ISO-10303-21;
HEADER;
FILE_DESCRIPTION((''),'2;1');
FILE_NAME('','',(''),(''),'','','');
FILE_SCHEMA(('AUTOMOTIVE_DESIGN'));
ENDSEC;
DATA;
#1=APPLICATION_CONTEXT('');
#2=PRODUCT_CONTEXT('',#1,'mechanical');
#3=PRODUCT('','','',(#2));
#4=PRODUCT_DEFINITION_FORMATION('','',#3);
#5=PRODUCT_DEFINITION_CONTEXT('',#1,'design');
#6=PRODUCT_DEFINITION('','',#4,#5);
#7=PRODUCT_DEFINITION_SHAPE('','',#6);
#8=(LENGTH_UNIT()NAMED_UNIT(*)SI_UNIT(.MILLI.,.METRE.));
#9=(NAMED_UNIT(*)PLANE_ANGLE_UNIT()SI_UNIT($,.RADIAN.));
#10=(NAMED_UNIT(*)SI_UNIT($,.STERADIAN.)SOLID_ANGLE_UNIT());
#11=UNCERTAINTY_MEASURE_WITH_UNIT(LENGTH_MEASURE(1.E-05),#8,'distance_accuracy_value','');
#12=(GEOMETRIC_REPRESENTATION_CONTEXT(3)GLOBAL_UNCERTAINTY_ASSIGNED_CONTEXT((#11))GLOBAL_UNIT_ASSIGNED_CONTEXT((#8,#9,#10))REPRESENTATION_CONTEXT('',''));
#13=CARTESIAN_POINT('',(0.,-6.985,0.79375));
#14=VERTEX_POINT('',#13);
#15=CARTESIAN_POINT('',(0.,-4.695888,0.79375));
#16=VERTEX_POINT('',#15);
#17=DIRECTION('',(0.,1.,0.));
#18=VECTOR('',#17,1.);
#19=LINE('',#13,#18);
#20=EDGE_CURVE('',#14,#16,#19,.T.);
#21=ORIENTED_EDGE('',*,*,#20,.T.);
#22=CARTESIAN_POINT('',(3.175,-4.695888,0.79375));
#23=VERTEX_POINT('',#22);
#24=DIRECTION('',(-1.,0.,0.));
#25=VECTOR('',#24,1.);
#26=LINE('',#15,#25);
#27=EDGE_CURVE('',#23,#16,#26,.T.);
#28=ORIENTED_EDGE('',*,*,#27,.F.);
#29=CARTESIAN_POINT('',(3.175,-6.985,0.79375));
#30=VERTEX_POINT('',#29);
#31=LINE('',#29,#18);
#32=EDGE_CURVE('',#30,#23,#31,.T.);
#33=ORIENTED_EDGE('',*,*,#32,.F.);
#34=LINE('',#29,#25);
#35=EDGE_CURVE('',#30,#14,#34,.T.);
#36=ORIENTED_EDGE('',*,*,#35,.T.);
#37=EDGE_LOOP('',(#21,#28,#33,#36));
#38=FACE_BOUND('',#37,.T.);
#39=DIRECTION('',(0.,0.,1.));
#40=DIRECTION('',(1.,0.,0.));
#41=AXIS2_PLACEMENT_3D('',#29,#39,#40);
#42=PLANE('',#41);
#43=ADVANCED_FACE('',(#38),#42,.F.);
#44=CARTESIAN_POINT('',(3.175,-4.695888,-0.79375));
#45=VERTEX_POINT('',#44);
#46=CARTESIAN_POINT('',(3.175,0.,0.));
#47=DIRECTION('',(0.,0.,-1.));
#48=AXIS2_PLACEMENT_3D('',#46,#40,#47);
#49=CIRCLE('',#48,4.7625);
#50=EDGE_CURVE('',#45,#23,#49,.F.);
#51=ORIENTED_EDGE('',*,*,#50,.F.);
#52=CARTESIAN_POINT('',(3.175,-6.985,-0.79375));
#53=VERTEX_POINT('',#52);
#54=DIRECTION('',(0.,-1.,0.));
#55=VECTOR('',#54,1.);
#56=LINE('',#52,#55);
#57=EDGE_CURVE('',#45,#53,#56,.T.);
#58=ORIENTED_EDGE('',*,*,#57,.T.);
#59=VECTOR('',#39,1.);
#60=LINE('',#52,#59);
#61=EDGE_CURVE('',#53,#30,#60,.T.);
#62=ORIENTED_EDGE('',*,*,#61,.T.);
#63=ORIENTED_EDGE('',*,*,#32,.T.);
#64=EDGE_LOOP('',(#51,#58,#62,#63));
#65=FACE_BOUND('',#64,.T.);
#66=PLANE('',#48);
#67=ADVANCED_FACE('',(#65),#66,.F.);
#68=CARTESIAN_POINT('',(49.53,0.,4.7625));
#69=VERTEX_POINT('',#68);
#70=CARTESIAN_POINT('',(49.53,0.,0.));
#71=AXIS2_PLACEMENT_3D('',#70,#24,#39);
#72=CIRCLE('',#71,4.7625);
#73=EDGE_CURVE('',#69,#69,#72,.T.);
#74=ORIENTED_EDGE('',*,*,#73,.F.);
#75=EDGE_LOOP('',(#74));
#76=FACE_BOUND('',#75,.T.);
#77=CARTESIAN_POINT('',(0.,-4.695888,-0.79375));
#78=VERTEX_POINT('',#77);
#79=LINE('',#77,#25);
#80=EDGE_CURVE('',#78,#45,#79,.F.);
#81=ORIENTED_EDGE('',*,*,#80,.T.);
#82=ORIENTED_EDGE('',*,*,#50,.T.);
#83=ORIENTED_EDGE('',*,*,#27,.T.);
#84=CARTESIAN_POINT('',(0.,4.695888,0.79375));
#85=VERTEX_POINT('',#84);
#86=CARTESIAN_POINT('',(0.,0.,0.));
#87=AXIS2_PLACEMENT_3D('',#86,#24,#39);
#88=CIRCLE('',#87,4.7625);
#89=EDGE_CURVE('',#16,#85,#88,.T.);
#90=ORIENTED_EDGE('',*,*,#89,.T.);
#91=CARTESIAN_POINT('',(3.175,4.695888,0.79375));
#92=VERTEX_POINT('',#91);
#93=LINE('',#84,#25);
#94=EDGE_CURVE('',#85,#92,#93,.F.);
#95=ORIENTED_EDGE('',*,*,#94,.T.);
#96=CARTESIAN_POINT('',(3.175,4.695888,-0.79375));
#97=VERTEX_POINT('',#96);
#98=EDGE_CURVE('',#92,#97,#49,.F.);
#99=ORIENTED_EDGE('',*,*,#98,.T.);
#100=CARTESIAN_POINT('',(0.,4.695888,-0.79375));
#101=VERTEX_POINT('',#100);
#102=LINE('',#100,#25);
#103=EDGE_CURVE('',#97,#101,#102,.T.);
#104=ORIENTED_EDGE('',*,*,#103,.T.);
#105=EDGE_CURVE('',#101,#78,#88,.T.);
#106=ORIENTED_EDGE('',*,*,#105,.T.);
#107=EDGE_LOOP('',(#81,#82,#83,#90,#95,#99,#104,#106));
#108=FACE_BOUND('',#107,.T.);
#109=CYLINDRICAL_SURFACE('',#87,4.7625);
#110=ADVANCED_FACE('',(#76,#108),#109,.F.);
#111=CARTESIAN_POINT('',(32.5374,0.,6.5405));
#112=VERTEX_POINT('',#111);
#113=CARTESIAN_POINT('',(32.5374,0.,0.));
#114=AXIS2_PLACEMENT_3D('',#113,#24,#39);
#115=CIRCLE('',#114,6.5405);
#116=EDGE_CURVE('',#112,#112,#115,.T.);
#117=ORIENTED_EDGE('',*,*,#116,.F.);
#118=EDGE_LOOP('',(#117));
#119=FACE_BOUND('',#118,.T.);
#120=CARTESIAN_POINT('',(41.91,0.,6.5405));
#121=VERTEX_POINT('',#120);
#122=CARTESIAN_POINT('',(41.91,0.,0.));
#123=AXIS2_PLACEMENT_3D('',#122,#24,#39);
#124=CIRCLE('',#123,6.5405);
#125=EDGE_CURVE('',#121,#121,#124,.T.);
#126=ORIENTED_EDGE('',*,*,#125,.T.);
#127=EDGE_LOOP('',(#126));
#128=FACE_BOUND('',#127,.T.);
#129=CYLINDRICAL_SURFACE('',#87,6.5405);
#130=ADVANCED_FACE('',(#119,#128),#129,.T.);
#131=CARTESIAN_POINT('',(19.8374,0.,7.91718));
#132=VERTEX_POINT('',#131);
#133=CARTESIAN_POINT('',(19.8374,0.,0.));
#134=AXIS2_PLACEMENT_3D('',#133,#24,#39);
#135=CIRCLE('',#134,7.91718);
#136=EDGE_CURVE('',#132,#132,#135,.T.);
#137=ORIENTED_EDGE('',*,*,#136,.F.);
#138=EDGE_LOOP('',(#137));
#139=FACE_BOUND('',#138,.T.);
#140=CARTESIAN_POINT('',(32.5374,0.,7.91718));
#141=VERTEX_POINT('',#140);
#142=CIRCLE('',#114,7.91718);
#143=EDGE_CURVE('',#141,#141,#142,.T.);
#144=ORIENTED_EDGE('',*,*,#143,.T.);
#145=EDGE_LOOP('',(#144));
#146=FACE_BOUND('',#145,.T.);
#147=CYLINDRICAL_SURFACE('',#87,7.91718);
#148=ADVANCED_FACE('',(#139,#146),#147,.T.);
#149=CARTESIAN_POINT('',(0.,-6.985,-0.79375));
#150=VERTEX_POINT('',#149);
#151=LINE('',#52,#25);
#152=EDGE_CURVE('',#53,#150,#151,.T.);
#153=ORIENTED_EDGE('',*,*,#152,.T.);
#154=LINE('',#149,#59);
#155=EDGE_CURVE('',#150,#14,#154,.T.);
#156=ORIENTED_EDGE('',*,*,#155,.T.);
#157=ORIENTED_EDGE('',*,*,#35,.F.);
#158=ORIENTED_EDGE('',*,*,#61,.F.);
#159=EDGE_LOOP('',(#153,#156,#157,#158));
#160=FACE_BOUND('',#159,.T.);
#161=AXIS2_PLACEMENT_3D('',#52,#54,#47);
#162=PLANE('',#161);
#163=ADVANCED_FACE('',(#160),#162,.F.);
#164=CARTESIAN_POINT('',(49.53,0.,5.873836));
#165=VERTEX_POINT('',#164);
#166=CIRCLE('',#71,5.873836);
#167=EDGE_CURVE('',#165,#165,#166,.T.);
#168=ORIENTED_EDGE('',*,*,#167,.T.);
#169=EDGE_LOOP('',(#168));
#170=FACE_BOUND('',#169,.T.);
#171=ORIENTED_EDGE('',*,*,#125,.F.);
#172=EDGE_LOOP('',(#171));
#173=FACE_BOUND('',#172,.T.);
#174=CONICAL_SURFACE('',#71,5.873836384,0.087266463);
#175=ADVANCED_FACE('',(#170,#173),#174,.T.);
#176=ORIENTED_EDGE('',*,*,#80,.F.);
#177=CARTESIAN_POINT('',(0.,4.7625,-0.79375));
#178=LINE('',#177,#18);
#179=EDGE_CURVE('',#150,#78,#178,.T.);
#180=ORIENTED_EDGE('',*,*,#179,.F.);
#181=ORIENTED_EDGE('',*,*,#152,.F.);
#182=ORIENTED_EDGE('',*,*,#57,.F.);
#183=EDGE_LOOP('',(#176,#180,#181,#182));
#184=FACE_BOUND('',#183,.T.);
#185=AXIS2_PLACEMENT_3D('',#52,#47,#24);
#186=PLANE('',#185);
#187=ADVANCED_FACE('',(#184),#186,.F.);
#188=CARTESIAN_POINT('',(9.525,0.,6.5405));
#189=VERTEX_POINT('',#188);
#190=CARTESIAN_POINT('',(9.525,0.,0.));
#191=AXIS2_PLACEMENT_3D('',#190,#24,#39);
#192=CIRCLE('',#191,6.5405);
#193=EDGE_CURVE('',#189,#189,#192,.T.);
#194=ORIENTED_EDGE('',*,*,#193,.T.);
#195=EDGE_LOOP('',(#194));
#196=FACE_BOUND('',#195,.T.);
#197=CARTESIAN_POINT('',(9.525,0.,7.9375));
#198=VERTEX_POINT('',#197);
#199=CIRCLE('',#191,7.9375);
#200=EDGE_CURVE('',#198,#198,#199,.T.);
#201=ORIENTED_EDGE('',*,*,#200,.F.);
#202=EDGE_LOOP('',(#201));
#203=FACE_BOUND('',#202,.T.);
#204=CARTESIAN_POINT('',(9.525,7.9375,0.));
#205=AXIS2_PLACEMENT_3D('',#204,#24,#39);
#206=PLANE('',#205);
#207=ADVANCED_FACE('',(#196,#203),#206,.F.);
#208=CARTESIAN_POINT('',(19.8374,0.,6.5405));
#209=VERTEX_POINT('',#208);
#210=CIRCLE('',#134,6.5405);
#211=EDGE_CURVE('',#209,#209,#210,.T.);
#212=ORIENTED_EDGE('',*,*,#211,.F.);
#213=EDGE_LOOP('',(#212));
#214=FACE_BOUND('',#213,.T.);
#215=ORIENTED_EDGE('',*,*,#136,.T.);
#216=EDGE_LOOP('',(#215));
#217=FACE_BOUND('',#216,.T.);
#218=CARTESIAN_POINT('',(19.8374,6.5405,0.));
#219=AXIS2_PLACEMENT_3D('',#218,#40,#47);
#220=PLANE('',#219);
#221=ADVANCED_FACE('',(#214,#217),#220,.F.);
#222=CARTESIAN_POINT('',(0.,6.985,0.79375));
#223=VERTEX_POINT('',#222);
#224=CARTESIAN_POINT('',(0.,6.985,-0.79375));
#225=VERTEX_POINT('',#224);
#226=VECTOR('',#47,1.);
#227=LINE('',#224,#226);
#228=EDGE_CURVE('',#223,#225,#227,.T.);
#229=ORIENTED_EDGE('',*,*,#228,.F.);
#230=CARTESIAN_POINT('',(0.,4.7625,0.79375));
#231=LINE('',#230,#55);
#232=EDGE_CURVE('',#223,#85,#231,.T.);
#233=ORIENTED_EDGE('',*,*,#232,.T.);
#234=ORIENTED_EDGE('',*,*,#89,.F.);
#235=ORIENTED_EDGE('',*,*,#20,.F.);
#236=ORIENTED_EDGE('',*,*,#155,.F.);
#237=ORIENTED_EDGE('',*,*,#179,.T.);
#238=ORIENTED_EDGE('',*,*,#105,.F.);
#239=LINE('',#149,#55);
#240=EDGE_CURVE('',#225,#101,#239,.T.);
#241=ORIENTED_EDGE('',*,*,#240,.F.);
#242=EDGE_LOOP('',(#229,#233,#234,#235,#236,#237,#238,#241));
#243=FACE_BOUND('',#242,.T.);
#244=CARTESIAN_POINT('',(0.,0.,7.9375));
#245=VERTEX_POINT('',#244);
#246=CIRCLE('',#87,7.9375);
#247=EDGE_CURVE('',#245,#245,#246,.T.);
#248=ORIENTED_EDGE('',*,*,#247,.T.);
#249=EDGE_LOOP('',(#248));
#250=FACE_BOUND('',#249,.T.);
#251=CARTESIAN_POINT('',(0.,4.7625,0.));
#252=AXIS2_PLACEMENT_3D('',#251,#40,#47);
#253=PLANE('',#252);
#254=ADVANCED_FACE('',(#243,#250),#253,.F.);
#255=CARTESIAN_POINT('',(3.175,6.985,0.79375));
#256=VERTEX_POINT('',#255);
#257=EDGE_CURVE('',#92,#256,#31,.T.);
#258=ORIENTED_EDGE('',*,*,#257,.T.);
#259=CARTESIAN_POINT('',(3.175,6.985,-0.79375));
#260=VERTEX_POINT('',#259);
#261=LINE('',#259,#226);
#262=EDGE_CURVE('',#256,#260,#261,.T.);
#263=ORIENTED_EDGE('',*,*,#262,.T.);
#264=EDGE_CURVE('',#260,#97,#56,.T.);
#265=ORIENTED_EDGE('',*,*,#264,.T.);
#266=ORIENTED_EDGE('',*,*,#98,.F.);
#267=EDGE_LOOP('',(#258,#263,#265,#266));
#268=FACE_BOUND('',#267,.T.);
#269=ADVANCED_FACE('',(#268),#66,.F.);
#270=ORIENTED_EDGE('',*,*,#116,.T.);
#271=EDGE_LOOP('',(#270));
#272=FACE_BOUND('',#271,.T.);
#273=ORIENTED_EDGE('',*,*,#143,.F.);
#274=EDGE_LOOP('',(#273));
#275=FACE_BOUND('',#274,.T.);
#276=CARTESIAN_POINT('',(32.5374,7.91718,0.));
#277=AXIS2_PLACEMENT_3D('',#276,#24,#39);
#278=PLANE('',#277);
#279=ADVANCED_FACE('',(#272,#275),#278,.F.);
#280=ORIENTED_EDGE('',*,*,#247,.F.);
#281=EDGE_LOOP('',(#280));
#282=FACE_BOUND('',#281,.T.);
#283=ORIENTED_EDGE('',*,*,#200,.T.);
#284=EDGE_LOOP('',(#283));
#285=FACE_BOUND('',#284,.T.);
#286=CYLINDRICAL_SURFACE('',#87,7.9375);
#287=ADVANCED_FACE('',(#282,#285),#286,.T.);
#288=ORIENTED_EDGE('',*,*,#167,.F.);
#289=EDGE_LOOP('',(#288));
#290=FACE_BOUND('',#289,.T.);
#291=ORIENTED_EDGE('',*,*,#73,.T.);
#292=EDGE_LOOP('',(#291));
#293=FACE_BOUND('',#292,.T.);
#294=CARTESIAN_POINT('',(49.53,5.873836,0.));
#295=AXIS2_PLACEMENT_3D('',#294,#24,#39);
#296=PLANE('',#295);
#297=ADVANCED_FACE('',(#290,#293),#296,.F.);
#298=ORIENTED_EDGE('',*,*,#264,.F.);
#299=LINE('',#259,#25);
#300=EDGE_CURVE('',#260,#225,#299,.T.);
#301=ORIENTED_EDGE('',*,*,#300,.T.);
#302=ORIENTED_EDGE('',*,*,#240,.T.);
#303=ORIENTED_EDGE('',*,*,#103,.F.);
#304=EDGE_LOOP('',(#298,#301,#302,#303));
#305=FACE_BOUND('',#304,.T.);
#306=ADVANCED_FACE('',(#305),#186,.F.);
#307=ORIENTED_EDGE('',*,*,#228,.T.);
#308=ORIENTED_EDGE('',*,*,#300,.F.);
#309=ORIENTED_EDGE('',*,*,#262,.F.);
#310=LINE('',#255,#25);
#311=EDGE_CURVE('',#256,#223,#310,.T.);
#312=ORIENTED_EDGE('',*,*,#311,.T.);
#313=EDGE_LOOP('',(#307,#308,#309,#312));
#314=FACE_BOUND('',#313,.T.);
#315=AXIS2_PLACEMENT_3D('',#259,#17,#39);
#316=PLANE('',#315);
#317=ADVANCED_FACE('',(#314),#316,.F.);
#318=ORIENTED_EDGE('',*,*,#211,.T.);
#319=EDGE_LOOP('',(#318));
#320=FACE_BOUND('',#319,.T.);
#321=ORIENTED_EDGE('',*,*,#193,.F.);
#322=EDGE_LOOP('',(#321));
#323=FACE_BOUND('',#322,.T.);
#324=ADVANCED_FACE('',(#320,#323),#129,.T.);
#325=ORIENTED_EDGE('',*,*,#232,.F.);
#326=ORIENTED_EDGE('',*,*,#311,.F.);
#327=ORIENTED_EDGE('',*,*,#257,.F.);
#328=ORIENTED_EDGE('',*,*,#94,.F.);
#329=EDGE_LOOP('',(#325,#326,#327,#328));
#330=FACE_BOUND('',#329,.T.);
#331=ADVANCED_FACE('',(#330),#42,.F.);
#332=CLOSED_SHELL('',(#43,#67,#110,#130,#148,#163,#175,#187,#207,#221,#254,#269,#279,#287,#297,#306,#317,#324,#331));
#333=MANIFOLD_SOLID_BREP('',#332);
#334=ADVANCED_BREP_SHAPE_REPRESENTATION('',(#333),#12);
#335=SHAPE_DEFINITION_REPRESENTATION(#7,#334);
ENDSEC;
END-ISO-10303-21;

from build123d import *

# Parameters (mm, degrees)
SKETCH2_W          = 1.5875
SKETCH2_H          = 13.97
CUT_EXTRUDE1_DEPTH = 3.175


with BuildPart() as part:
    # Sketch1 → Revolve1 (revolve)
    with BuildSketch(Plane.XY):
        Polygon((0, 4.7625), (0, 7.9375), (9.525, 7.9375), (9.525, 6.5405), (19.8374, 6.5405), (19.8374, 7.91718), (32.5374, 7.91718), (32.5374, 6.5405), (41.91, 6.5405), (49.53, 5.873836384), (49.53, 4.7625), align=None)
    revolve(axis=Axis((0, 0, 0), (1, 0, 0)))

    # Sketch2 → Cut-Extrude1 (cut)
    with BuildSketch(Plane.ZY):
        Rectangle(SKETCH2_W, SKETCH2_H)
    extrude(amount=-CUT_EXTRUDE1_DEPTH, mode=Mode.SUBTRACT)


solid = part.part
